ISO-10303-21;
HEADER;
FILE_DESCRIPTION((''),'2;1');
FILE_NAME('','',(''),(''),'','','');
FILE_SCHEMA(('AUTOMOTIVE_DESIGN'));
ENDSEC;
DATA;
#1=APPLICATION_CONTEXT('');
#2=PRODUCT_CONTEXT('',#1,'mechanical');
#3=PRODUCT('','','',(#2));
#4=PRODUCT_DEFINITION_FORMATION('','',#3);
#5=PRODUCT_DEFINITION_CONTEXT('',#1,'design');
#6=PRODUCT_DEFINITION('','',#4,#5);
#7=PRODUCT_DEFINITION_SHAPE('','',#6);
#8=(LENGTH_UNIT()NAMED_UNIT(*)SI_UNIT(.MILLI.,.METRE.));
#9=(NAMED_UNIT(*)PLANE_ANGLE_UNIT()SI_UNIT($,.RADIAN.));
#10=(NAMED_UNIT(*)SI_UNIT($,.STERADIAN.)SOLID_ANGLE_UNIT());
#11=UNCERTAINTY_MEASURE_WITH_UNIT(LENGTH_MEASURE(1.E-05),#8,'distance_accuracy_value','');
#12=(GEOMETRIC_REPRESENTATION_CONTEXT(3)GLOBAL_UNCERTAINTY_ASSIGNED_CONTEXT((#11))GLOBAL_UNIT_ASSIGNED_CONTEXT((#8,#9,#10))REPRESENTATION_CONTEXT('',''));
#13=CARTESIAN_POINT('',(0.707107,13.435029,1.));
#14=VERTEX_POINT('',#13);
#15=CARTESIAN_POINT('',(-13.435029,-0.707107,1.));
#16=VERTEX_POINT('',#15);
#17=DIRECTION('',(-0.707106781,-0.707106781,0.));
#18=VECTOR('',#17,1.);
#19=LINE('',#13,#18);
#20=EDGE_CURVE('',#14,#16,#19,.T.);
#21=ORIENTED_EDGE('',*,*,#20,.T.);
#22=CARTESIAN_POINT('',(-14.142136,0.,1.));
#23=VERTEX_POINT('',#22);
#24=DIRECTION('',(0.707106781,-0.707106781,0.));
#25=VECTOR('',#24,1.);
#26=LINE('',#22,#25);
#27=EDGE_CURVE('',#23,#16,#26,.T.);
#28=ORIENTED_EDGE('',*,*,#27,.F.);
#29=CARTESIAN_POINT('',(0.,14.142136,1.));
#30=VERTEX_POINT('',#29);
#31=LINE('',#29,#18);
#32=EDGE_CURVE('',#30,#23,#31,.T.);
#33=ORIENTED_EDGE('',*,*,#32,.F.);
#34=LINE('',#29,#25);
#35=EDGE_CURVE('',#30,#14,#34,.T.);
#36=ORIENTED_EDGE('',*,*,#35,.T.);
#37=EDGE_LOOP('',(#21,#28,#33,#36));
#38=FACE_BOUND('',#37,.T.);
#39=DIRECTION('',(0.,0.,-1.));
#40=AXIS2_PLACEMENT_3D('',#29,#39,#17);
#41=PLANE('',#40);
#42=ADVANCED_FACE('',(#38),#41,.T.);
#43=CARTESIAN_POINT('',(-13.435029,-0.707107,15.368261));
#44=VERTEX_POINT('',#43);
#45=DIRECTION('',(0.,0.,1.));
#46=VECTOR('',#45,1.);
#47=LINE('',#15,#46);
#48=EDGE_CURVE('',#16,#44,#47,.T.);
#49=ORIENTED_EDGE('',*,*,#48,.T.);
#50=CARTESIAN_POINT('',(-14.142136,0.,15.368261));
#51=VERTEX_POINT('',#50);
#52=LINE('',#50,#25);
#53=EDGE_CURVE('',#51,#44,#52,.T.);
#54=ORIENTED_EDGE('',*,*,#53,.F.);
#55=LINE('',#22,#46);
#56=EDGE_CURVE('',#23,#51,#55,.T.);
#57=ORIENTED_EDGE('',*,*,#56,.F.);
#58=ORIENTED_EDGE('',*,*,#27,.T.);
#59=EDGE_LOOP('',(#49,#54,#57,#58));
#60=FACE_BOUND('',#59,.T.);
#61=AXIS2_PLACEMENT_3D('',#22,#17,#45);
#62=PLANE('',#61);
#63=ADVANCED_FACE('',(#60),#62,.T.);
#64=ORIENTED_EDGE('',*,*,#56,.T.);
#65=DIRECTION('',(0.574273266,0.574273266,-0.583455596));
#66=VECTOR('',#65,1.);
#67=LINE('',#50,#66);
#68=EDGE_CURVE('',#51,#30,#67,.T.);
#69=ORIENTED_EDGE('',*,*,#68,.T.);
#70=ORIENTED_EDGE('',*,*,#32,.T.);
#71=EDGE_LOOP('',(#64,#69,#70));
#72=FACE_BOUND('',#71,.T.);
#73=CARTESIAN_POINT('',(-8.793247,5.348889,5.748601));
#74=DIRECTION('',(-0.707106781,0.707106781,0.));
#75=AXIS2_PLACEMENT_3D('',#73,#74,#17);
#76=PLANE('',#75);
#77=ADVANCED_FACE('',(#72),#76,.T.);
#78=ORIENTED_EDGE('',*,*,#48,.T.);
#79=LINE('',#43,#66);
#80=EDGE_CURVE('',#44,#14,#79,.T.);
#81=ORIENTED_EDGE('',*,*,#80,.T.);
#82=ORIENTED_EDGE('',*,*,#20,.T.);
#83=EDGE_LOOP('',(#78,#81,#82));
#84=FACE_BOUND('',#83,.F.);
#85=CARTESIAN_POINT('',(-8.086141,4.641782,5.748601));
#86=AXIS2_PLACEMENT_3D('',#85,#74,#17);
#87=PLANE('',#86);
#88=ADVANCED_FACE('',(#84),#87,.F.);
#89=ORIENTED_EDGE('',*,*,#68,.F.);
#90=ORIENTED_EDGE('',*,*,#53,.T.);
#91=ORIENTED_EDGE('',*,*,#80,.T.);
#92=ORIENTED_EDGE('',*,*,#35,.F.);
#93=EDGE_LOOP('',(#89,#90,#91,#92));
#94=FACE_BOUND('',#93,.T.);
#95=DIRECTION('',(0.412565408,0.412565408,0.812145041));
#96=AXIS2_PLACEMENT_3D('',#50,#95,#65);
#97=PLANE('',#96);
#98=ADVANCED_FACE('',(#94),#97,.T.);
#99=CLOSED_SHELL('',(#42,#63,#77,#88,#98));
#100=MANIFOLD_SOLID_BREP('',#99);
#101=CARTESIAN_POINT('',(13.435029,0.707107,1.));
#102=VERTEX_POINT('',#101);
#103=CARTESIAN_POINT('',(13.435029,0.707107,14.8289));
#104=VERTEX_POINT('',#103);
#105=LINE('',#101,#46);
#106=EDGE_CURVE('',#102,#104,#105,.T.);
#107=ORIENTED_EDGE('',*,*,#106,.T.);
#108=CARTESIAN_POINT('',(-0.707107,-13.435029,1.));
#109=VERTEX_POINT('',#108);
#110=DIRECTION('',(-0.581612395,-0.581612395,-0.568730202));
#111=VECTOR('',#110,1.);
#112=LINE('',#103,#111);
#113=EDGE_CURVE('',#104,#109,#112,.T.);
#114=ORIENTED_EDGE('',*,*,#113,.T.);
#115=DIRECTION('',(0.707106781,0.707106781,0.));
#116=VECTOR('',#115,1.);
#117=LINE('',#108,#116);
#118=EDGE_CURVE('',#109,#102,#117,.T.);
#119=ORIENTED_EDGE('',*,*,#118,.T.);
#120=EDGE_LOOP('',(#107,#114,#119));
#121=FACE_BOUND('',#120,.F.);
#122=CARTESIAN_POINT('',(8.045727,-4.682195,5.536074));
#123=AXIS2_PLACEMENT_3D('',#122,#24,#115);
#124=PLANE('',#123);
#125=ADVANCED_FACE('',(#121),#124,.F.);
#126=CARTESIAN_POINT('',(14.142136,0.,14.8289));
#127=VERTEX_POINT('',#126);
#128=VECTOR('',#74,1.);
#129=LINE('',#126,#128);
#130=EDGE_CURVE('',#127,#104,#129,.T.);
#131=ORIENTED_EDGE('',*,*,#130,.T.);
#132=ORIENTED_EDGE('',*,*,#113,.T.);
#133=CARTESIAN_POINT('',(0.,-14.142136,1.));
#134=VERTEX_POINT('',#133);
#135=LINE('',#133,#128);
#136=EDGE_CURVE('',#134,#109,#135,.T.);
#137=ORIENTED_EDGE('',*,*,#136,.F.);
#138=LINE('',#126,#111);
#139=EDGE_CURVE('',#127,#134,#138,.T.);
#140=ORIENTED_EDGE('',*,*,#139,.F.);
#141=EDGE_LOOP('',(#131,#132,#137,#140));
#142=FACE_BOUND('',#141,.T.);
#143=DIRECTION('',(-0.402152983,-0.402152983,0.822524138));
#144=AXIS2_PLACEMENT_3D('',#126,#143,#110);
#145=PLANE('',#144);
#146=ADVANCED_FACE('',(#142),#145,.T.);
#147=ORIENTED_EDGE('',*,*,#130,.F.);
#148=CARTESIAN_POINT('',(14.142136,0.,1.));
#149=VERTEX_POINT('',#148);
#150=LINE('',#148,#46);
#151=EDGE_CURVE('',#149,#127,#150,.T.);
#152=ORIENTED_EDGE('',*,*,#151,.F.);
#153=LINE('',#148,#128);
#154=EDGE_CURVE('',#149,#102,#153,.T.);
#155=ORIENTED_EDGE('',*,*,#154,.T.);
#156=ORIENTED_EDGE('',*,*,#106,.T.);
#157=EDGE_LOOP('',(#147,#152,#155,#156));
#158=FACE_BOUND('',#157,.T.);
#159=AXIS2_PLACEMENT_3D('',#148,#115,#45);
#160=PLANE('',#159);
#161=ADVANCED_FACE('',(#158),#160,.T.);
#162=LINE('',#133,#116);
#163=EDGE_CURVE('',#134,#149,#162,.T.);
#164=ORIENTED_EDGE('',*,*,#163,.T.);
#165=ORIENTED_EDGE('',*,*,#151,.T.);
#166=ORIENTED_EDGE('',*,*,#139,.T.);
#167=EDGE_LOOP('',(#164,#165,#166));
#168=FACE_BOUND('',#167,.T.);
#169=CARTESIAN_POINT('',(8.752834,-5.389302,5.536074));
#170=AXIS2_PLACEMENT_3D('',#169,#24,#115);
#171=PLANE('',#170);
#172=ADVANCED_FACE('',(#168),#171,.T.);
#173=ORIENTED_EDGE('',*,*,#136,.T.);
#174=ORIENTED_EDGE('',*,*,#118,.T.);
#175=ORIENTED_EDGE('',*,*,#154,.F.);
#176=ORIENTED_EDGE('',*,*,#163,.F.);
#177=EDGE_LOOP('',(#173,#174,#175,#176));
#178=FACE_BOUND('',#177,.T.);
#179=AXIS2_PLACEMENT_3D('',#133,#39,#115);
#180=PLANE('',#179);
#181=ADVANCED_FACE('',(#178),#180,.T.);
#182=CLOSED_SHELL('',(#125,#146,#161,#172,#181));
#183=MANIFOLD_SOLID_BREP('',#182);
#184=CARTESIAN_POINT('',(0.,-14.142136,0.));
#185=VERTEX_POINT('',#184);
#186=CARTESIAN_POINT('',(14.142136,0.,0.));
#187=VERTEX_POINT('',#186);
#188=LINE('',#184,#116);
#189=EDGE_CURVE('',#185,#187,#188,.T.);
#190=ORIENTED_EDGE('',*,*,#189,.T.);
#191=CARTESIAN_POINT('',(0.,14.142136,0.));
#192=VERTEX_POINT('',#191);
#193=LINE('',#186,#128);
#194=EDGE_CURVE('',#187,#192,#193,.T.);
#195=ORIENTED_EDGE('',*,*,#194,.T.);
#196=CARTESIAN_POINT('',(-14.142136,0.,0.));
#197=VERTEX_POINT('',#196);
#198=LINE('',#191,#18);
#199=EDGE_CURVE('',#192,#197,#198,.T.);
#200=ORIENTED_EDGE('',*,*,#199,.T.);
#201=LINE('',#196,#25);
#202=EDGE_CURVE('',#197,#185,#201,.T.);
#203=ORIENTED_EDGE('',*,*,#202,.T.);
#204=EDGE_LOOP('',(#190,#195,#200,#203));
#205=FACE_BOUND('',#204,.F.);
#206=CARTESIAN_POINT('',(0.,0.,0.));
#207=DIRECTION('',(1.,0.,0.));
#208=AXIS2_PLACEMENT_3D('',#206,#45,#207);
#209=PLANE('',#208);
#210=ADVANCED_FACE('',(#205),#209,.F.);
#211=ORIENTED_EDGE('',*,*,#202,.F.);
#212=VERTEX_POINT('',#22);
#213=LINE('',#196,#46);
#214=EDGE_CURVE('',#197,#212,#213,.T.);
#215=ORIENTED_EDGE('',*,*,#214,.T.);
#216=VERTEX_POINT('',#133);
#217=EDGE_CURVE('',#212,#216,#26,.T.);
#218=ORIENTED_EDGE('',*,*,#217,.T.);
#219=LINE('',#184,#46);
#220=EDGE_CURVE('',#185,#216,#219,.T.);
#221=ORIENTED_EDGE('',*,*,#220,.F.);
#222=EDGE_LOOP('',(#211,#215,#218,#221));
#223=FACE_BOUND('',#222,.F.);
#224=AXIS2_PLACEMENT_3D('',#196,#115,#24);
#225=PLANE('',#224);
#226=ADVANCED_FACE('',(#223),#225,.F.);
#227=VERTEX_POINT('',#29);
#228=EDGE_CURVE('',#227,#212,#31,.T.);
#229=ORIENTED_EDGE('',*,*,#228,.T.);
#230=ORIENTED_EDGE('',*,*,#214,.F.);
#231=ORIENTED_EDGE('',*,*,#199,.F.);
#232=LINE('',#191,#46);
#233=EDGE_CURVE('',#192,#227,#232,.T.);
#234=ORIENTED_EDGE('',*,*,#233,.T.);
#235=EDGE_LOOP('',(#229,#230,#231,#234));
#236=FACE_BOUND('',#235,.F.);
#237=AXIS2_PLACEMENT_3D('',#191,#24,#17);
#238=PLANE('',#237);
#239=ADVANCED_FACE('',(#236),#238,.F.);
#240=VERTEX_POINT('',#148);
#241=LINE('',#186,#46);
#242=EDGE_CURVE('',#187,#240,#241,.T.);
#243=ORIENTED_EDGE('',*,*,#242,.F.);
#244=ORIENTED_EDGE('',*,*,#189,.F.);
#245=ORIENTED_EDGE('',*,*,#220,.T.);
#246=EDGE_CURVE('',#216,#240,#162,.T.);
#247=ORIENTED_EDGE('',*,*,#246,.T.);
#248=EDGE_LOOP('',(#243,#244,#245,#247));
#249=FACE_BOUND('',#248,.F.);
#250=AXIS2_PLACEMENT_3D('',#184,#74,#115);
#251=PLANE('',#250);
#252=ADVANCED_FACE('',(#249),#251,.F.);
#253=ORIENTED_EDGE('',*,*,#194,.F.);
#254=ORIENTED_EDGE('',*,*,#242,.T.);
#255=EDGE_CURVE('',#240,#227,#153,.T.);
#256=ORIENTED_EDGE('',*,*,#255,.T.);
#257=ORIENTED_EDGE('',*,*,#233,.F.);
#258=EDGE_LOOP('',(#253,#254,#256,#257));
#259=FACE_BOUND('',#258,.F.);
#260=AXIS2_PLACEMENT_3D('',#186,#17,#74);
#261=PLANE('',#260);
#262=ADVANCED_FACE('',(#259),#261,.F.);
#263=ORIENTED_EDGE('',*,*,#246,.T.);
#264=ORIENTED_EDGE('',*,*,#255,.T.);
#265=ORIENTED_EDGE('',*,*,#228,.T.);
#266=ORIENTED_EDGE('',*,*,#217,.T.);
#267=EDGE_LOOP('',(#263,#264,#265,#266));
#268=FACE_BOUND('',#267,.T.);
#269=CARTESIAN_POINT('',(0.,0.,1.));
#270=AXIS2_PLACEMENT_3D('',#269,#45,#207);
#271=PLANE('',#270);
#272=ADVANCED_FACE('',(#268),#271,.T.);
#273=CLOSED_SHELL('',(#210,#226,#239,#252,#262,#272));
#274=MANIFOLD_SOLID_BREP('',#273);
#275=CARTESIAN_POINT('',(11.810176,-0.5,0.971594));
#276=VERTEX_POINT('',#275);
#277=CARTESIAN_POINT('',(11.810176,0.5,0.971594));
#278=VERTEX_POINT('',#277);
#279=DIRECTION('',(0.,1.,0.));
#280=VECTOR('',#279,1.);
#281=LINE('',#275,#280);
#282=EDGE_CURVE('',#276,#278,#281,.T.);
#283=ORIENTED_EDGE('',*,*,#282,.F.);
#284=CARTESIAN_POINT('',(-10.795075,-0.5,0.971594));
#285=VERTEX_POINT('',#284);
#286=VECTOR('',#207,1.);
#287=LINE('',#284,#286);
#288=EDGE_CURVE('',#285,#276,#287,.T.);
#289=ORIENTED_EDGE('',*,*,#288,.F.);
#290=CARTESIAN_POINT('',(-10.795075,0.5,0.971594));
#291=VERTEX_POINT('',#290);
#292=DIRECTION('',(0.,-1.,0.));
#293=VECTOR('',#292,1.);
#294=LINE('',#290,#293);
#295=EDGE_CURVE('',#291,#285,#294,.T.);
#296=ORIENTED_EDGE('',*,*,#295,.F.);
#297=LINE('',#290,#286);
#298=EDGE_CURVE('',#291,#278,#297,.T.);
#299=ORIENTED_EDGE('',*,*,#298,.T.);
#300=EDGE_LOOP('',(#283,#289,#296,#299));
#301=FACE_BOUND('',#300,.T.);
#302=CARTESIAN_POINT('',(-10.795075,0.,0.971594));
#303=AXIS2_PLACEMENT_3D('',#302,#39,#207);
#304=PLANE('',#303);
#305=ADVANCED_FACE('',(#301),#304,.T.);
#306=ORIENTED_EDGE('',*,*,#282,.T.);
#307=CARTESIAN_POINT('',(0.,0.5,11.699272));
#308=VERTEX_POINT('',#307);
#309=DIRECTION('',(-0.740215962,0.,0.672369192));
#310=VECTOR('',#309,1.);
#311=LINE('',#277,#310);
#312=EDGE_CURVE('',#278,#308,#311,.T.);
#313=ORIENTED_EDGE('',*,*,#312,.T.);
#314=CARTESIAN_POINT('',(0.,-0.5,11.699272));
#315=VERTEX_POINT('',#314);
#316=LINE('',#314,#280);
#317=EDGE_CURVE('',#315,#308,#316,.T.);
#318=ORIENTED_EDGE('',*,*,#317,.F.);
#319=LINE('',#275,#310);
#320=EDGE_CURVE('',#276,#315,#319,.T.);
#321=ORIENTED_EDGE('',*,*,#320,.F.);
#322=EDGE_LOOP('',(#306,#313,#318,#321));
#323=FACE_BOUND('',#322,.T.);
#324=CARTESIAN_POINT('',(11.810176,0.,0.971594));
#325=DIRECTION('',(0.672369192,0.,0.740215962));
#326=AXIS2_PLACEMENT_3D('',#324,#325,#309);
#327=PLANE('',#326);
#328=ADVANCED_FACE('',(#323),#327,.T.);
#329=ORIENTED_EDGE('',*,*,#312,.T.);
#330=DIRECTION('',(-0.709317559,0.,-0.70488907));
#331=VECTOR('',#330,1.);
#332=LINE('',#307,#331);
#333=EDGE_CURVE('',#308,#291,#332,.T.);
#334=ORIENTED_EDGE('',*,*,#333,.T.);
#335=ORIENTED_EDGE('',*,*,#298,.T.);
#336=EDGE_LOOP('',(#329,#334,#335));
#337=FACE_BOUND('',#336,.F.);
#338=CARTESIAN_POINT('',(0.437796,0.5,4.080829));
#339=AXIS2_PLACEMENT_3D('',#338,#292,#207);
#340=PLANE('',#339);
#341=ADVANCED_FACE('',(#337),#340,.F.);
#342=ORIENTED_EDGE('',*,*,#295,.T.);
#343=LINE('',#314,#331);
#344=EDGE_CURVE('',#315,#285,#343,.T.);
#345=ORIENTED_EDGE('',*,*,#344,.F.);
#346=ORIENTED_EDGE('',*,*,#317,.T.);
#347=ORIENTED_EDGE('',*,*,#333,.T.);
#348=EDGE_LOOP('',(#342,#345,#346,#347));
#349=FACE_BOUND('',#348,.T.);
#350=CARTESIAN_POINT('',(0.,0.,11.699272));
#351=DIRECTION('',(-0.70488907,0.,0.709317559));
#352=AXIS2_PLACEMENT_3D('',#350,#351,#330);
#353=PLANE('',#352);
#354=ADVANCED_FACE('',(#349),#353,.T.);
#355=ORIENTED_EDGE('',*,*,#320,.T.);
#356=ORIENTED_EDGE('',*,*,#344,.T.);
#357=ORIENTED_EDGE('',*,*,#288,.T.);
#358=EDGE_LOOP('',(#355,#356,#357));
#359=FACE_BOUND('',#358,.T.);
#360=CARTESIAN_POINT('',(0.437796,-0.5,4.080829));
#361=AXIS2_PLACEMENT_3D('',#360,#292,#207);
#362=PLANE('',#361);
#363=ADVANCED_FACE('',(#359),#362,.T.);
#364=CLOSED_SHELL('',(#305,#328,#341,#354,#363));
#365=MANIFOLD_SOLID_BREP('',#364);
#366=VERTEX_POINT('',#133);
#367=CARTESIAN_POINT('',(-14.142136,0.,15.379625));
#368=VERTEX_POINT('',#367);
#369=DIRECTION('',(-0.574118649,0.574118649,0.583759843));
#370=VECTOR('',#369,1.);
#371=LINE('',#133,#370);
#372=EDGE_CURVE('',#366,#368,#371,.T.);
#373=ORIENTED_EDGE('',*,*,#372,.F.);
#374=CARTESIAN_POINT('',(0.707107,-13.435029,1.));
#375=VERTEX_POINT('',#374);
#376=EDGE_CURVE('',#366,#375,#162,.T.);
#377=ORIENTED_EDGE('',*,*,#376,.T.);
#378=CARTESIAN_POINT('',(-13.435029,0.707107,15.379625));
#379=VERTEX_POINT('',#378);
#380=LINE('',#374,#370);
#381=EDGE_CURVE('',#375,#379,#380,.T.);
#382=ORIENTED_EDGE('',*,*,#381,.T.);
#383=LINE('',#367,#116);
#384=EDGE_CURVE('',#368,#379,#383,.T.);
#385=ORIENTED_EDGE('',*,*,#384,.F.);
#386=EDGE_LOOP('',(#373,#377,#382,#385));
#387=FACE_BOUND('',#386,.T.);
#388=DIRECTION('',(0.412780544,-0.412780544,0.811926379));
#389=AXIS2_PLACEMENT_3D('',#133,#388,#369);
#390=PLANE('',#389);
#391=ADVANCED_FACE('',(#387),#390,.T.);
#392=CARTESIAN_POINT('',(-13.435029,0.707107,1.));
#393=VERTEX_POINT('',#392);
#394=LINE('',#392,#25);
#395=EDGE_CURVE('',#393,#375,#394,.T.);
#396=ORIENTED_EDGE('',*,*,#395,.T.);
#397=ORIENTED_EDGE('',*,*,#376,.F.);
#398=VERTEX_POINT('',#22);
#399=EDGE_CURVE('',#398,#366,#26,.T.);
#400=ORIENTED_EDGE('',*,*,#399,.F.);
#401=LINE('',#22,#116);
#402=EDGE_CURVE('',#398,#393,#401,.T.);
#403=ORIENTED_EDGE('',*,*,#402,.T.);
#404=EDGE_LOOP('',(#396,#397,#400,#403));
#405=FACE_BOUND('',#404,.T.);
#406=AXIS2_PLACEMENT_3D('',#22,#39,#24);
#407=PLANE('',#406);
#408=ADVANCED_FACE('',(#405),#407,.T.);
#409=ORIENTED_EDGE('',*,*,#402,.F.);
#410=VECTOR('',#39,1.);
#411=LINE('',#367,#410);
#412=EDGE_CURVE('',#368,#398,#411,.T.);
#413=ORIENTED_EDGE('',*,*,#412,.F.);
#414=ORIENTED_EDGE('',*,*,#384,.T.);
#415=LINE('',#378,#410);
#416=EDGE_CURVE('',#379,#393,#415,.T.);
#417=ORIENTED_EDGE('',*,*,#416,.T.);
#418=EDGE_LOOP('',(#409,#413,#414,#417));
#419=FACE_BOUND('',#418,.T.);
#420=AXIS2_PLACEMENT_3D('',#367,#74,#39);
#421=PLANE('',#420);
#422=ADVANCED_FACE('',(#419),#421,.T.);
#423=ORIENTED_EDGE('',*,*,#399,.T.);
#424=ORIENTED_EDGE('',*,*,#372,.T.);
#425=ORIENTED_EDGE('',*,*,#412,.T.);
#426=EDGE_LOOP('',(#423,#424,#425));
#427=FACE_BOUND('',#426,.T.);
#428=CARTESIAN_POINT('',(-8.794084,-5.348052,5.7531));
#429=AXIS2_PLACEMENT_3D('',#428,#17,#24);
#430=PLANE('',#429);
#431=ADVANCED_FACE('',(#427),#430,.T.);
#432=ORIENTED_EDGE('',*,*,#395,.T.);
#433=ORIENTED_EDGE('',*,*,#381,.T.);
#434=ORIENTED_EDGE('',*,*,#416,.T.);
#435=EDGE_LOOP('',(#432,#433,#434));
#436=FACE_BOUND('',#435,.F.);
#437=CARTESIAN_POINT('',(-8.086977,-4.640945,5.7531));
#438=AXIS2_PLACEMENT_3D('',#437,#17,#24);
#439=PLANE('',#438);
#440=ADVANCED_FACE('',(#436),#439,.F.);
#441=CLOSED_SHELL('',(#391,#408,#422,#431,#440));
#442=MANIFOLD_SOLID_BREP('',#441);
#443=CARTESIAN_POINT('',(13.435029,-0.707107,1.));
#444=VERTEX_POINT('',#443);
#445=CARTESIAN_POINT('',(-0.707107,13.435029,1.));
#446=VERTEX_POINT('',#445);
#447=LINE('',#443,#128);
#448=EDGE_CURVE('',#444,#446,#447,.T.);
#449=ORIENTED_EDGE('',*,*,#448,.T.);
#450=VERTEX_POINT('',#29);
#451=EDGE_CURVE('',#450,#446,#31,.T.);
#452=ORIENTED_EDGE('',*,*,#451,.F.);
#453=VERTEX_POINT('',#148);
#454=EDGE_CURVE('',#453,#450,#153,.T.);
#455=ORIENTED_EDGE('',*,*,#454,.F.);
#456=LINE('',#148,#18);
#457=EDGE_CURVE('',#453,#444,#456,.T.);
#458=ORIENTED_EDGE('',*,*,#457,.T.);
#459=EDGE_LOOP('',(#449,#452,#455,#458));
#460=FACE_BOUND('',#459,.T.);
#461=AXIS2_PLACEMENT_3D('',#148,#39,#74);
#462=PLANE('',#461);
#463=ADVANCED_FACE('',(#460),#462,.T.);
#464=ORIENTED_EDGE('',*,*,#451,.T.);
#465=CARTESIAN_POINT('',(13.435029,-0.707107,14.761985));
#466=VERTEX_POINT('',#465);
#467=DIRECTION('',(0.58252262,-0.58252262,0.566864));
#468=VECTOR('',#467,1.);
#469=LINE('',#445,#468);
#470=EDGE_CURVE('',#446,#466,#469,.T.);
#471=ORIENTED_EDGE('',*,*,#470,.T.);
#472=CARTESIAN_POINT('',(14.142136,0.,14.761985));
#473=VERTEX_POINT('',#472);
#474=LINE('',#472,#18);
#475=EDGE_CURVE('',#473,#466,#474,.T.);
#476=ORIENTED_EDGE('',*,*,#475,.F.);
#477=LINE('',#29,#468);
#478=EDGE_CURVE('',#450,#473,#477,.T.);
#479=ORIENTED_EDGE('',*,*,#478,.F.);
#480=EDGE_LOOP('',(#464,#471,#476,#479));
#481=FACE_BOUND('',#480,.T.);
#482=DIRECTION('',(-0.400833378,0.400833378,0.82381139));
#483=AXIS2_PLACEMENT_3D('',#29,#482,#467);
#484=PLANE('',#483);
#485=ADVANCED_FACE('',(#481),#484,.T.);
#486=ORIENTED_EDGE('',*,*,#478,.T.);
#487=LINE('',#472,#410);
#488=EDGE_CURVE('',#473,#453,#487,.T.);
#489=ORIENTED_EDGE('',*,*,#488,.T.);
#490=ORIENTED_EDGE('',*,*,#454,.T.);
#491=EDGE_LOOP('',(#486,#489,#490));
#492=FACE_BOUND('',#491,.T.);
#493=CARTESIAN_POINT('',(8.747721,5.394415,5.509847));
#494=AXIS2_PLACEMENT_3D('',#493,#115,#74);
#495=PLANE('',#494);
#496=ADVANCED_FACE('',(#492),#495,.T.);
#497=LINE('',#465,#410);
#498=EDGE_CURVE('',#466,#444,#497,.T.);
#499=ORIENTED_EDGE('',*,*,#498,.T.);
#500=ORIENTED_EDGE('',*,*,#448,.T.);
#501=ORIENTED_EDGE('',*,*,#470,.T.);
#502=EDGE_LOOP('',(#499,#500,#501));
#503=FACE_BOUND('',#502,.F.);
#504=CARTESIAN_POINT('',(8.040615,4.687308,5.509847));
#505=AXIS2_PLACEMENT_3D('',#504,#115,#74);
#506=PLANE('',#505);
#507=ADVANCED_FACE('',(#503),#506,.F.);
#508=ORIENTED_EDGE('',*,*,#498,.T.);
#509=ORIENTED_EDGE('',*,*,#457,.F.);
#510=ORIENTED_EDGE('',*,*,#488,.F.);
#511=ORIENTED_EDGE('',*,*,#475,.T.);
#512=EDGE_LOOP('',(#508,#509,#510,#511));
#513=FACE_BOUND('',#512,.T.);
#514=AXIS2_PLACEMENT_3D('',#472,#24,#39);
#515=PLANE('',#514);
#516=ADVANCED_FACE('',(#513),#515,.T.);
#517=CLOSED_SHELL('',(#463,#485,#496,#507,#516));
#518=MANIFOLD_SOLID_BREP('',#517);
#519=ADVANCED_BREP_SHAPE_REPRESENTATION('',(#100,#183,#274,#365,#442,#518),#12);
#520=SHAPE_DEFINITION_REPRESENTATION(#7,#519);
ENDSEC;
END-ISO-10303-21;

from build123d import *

# Parameters (mm, degrees)
F1_DEPTH  = 1
F3_DEPTH  = 0.5
F5_DEPTH  = 1
F7_DEPTH  = 1
F9_DEPTH  = 1
F11_DEPTH = 1


with BuildPart() as f1:
    # F0 (on Top) → F1 (new body)
    with BuildSketch(Plane.XY):
        Polygon((0, 14.142136), (-14.142136, 0), (0, -14.142136), (14.142136, 0), align=None)
    extrude(amount=F1_DEPTH)


with BuildPart() as f3:
    # F2 (on Front) → F3 (new body, symmetric)
    with BuildSketch(Plane.XZ):
        Polygon((0, 11.699272), (-10.795075, 0.971594), (11.810176, 0.971594), align=None)
    extrude(amount=F3_DEPTH, both=True)


with BuildPart() as f5:
    # F4 (on face) → F5 (new body)
    with BuildSketch(Plane(origin=(-7.071068, 7.071068, 0), x_dir=(-0.707107, -0.707107, 0), z_dir=(-0.707107, 0.707107, 0))):
        Polygon((10, 15.368261), (-10, 1), (10, 1), align=None)
    extrude(amount=-F5_DEPTH)


with BuildPart() as f7:
    # F6 (on face) → F7 (new body)
    with BuildSketch(Plane(origin=(-7.071068, -7.071068, 0), x_dir=(0.707107, -0.707107, 0), z_dir=(-0.707107, -0.707107, 0))):
        Polygon((-10, 15.379625), (-10, 1), (10, 1), align=None)
    extrude(amount=-F7_DEPTH)


with BuildPart() as f9:
    # F8 (on face) → F9 (new body)
    with BuildSketch(Plane(origin=(7.071068, -7.071068, 0), x_dir=(0.707107, 0.707107, 0), z_dir=(0.707107, -0.707107, 0))):
        Polygon((10, 14.8289), (-10, 1), (10, 1), align=None)
    extrude(amount=-F9_DEPTH)


with BuildPart() as f11:
    # F10 (on face) → F11 (new body)
    with BuildSketch(Plane(origin=(7.071068, 7.071068, 0), x_dir=(-0.707107, 0.707107, 0), z_dir=(0.707107, 0.707107, 0))):
        Polygon((-10, 1), (10, 1), (-10, 14.761985), align=None)
    extrude(amount=-F11_DEPTH)


solid = Compound([f1.part, f3.part, f5.part, f7.part, f9.part, f11.part])
